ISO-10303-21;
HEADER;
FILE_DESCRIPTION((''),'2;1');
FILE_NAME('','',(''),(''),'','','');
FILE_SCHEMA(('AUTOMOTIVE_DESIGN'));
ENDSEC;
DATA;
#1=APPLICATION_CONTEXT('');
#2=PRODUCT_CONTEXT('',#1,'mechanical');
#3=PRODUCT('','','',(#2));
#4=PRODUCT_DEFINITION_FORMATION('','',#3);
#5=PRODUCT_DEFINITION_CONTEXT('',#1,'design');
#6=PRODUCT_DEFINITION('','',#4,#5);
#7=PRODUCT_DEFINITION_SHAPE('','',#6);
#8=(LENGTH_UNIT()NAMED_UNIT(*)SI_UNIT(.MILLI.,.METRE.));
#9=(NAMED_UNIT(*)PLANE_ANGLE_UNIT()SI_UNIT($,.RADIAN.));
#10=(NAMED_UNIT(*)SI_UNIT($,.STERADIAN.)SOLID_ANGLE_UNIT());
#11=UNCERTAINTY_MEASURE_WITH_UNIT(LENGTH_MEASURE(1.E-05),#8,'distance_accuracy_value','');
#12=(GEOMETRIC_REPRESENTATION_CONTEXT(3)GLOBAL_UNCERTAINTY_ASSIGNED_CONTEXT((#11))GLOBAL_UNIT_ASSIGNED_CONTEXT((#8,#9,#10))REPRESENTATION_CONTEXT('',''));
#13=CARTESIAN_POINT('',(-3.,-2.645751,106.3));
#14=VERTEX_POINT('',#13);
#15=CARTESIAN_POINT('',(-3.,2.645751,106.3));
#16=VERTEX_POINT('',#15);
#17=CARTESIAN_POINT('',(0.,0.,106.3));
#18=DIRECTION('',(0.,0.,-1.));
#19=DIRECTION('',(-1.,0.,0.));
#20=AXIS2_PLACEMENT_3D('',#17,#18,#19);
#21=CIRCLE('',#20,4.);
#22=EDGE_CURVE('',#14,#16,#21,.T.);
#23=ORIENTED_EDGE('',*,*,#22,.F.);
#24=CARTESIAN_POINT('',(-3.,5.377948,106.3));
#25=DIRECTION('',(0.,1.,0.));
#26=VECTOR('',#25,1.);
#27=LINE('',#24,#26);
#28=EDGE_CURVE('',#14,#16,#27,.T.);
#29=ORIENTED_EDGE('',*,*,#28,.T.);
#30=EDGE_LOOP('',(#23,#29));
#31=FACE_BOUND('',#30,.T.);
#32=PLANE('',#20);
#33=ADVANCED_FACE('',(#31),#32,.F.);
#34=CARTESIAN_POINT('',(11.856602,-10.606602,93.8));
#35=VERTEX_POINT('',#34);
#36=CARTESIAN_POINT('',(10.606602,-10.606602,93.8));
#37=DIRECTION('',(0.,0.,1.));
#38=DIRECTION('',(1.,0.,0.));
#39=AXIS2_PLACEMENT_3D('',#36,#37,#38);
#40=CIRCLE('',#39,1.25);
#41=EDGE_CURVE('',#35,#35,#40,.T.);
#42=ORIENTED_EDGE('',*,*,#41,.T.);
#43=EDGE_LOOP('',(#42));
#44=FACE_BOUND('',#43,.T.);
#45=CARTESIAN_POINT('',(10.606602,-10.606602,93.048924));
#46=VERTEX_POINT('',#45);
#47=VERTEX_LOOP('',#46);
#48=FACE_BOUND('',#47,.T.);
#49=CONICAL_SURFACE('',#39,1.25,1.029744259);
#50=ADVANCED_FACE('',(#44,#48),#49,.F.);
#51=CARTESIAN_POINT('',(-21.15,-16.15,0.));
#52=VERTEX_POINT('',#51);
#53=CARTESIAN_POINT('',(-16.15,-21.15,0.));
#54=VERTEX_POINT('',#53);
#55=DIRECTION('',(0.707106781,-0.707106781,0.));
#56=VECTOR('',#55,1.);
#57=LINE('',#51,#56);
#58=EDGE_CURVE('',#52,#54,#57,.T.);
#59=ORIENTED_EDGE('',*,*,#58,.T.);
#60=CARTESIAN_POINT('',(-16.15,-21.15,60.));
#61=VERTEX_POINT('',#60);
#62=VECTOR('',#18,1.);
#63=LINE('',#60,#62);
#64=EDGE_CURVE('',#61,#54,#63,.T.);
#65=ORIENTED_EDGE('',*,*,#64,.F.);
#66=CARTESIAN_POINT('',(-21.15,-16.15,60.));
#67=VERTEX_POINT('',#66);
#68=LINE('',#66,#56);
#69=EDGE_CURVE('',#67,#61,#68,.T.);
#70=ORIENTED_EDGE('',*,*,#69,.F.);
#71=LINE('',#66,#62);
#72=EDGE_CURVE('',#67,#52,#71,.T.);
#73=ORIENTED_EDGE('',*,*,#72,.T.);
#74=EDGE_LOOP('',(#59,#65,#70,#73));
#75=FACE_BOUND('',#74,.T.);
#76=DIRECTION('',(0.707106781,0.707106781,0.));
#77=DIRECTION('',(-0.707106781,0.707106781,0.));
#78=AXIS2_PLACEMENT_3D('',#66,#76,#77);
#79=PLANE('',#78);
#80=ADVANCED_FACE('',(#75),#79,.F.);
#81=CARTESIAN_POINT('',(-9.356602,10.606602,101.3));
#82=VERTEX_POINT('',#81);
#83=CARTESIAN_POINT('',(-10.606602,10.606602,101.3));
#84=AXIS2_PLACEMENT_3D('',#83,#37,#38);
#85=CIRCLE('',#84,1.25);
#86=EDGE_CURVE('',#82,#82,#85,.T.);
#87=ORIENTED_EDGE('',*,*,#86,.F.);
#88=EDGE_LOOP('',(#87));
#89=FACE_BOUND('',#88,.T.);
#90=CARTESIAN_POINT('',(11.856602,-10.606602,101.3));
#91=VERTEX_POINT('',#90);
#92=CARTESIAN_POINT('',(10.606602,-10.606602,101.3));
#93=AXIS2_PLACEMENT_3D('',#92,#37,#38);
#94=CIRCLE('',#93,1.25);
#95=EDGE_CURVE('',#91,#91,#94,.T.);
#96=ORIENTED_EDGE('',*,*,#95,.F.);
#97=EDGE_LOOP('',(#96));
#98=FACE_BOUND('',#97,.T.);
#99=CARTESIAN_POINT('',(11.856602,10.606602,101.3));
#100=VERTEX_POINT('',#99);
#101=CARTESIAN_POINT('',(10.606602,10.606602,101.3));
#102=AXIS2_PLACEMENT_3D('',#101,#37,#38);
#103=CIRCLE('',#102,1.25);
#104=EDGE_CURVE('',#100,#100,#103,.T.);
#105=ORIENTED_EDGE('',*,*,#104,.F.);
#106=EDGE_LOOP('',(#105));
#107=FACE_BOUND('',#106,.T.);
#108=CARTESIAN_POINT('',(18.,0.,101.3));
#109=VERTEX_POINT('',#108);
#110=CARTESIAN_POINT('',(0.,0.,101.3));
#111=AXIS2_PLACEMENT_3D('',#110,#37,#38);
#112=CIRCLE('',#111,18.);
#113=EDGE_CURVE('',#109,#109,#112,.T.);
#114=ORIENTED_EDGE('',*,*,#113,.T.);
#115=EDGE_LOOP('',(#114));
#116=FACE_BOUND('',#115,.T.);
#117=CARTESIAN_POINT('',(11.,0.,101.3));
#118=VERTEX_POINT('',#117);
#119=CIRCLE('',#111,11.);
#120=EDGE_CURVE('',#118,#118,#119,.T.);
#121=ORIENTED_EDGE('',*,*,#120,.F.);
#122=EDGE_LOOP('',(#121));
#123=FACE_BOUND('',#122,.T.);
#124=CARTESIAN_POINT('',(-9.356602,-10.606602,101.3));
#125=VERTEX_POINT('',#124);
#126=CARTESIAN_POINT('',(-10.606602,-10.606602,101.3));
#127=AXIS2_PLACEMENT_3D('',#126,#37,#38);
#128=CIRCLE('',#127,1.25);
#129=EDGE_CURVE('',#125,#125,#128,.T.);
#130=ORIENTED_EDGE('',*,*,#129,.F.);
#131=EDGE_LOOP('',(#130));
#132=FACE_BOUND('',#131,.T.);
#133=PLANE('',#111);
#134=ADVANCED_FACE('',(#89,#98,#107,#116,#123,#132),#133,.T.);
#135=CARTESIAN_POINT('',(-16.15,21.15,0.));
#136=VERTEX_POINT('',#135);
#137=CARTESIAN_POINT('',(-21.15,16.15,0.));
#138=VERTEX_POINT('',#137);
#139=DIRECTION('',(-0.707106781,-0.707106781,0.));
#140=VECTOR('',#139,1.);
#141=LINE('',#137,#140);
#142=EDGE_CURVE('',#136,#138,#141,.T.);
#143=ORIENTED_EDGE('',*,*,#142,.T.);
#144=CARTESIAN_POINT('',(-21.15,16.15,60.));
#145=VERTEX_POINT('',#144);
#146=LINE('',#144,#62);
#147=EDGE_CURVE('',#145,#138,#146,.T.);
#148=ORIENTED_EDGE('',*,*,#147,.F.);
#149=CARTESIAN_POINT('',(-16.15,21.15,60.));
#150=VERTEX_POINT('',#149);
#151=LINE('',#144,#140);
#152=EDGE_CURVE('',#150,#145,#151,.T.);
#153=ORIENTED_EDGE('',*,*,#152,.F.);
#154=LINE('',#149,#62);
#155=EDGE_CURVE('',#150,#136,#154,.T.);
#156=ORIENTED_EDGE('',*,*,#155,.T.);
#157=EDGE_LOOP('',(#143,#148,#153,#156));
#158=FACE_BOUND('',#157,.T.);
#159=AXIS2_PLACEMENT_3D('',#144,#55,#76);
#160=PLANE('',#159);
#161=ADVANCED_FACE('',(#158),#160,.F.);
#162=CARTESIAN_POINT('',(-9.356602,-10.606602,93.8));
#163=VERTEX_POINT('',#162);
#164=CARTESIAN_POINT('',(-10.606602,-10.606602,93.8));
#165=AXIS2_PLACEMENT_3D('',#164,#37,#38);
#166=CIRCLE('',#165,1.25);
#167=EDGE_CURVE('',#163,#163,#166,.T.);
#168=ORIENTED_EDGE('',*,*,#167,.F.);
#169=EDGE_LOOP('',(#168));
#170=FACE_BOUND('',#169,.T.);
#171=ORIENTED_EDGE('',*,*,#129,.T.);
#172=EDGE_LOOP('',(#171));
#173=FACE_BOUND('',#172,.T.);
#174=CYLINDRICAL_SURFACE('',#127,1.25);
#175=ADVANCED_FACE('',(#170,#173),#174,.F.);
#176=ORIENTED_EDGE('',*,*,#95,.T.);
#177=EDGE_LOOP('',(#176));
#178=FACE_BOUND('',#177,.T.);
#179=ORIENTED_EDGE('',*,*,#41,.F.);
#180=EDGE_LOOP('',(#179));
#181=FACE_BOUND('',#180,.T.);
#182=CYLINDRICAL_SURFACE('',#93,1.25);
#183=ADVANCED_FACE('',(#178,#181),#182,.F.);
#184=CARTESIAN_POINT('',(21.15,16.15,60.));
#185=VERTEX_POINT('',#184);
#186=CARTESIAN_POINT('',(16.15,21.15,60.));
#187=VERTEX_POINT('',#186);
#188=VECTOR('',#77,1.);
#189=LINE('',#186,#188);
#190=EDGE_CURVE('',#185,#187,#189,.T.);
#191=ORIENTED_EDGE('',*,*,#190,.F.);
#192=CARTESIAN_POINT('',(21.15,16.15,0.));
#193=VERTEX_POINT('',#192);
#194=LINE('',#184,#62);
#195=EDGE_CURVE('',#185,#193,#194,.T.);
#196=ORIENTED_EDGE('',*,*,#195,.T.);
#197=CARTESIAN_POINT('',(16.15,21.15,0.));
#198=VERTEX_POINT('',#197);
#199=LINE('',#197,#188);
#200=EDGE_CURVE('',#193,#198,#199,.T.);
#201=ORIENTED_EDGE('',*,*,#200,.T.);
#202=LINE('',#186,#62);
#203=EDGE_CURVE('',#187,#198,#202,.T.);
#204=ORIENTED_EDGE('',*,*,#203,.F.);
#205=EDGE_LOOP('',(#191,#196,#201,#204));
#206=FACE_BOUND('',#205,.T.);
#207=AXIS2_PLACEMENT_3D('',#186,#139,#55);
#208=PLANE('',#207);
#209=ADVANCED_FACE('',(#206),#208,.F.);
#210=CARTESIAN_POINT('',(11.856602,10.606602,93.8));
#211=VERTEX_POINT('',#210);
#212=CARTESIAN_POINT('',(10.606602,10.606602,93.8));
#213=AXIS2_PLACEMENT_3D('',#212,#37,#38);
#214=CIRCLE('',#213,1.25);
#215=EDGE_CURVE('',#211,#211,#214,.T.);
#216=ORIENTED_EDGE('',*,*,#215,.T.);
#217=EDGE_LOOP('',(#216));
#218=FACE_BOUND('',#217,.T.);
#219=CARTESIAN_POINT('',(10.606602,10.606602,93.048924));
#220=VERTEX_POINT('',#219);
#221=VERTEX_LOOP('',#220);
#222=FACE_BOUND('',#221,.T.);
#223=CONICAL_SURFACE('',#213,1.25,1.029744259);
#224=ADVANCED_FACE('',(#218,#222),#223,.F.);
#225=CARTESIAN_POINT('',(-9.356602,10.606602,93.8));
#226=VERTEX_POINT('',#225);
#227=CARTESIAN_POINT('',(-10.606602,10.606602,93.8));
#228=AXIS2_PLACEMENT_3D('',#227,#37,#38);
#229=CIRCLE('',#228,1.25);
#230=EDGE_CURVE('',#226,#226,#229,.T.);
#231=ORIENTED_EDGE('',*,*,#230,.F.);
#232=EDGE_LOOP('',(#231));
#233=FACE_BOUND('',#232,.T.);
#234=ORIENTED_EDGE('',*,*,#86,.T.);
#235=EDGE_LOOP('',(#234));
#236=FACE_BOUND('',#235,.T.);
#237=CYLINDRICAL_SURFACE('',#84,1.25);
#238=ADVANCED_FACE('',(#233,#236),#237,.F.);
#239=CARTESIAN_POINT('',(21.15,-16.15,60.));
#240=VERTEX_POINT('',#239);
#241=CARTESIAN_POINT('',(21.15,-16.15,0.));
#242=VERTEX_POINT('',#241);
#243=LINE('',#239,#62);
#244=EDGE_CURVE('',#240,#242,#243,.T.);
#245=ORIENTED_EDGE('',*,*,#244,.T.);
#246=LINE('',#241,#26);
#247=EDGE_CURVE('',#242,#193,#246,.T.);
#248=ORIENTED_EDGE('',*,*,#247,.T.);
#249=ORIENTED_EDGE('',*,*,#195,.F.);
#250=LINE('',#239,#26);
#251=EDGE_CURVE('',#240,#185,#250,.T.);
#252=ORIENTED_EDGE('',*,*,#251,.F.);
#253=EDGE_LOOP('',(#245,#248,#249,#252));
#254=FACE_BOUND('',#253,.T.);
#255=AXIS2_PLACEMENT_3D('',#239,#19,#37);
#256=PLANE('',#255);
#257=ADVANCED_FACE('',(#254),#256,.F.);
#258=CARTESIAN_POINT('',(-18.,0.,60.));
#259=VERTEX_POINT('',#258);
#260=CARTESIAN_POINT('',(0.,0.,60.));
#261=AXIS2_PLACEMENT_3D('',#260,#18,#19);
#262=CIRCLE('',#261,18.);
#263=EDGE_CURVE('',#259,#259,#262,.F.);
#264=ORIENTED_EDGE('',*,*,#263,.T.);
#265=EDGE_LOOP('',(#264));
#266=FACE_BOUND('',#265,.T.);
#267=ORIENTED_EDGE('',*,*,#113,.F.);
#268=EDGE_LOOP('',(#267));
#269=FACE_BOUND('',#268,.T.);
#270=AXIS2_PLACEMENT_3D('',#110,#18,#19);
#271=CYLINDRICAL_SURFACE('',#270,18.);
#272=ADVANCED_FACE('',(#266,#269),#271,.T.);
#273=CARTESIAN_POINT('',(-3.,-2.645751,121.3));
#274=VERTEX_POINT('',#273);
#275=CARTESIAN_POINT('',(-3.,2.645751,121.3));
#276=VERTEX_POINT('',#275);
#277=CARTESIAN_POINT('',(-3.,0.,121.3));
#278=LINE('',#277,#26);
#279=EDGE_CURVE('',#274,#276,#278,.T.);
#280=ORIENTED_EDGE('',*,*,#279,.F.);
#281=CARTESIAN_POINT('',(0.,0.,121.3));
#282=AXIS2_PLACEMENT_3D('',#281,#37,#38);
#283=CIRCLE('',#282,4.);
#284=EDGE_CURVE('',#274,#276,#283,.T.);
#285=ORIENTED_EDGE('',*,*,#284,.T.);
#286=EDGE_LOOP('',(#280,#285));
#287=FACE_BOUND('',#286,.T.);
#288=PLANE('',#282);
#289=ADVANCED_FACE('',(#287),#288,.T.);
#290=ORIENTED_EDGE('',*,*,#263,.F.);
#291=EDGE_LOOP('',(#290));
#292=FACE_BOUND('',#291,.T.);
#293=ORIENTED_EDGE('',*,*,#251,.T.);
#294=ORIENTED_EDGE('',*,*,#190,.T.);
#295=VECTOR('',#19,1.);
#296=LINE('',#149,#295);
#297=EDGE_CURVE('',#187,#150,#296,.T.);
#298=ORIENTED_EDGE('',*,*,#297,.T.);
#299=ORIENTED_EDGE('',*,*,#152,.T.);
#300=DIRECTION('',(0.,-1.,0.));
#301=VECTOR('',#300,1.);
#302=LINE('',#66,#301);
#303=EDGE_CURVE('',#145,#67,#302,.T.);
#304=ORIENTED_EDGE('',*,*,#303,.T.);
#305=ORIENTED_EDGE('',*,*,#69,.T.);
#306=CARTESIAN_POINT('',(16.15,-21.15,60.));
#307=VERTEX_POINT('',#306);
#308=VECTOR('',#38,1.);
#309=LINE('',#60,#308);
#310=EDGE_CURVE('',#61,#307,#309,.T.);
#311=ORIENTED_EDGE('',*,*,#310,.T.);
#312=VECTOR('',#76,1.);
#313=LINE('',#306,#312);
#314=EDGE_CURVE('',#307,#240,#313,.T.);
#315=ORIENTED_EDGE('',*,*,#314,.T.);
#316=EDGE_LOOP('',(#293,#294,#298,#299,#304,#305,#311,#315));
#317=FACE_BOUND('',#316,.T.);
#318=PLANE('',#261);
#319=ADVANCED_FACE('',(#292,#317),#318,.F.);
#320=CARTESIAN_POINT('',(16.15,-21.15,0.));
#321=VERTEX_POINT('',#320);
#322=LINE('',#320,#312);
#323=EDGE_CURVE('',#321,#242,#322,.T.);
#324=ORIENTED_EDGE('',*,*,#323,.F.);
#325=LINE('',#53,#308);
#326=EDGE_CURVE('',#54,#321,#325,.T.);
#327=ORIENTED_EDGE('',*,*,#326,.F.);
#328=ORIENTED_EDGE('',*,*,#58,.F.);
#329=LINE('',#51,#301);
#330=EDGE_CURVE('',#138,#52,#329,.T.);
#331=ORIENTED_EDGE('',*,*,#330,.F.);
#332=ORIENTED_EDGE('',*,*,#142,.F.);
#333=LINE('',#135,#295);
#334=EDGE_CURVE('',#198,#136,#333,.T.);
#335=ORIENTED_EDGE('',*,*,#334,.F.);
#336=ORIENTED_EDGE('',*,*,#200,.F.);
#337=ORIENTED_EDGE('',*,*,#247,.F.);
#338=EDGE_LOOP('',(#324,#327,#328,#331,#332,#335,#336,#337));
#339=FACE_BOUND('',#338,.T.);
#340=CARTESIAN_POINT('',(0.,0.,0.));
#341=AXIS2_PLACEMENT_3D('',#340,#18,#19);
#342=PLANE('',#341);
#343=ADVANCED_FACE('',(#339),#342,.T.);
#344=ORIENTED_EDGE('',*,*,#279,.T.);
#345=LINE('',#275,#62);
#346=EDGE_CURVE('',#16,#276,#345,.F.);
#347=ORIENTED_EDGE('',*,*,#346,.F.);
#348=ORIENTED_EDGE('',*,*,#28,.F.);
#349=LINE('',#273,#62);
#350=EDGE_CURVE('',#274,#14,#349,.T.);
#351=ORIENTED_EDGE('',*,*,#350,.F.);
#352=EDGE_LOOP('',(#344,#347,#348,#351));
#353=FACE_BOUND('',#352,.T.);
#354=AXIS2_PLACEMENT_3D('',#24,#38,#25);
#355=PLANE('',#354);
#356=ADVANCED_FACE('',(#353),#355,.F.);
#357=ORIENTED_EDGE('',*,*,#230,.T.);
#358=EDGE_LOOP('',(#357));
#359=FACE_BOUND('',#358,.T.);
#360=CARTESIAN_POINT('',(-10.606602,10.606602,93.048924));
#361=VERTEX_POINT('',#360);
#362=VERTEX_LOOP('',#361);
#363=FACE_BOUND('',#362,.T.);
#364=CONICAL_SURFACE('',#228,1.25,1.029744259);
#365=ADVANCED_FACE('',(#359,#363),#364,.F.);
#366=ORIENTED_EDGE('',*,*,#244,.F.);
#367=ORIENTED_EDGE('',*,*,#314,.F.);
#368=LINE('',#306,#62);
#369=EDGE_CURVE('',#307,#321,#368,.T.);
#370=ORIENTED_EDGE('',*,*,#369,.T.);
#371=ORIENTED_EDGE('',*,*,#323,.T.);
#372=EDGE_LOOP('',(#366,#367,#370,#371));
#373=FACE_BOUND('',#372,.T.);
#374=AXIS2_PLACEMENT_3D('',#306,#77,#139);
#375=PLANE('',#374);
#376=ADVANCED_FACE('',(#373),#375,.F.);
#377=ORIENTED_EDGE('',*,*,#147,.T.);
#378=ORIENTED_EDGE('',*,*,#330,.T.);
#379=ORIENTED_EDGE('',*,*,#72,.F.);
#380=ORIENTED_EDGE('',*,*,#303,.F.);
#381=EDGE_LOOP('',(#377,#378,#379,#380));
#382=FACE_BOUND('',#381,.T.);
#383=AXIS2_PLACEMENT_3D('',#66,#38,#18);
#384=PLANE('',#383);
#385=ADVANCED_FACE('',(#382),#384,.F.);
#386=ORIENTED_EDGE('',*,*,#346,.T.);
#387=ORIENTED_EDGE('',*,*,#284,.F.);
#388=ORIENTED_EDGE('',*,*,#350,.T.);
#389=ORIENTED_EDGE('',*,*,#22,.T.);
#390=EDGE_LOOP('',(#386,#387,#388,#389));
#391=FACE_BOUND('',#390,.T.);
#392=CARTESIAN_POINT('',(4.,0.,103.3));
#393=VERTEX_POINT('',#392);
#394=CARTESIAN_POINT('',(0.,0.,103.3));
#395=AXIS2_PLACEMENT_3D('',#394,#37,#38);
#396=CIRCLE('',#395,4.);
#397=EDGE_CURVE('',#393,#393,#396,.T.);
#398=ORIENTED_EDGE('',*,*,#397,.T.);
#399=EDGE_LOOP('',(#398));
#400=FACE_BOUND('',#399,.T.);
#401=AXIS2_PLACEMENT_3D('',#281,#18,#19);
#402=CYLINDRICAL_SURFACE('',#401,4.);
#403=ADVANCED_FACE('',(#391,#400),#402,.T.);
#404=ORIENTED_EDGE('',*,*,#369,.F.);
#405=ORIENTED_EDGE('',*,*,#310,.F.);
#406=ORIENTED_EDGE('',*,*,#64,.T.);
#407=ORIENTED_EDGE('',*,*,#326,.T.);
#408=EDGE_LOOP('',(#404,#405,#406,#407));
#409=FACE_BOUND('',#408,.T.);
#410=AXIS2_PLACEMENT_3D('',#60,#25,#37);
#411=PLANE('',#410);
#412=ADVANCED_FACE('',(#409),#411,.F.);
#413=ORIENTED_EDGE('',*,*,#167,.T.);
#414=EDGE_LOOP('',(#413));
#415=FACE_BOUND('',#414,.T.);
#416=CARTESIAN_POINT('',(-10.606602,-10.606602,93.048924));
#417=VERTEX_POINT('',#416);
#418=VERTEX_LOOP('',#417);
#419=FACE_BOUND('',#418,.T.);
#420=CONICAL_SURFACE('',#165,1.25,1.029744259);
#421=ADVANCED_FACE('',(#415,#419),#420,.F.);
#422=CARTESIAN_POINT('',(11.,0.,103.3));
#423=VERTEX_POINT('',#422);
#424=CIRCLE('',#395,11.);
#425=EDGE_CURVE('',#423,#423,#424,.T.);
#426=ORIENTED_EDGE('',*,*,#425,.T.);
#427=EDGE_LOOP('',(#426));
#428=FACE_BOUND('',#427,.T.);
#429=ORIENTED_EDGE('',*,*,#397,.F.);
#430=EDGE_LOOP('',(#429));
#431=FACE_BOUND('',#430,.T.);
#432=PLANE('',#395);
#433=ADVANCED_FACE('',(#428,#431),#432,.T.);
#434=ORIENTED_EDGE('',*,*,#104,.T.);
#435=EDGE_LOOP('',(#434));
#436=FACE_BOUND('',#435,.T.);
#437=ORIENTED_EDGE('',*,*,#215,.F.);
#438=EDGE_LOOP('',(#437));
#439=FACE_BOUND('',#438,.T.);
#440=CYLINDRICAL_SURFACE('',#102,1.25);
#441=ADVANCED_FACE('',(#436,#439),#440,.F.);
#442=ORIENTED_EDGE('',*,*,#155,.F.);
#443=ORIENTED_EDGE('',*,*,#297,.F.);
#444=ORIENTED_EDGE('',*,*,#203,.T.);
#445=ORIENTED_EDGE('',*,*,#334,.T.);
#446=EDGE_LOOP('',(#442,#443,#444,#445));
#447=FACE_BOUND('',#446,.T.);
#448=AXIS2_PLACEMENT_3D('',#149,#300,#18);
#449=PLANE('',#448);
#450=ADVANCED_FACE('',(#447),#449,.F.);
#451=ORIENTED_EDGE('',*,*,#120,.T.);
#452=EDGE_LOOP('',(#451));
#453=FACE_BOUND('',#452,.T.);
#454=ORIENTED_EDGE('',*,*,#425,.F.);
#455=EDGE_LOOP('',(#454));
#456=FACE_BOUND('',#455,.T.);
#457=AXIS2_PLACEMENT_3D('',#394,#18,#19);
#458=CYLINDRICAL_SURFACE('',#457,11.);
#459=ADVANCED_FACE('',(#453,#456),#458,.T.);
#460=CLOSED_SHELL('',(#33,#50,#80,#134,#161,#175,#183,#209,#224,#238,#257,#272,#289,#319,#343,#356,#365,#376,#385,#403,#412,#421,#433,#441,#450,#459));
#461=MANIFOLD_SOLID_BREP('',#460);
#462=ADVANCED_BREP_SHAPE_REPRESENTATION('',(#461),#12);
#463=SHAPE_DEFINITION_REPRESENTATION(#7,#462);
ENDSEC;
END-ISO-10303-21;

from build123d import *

# Parameters (mm, degrees)
EXTRUDE_1_DEPTH        = 60
SKETCH_2_R             = 18
EXTRUDE_2_DEPTH        = 41.3
SKETCH_3_R             = 11
EXTRUDE_3_DEPTH        = 2
SKETCH_4_R             = 4
EXTRUDE_4_DEPTH        = 18
SKETCH_5_W             = 8.09428643
SKETCH_5_H             = 13.450799509
CUT_EXTRUDE_1_DEPTH    = 15
SKETCH_6_R             = 1
CUT_EXTRUDE_2_DEPTH    = 5
HOLE_WIZARD_M3_1_D     = 2.5
HOLE_WIZARD_M3_1_DEPTH = 7.5
HOLE_WIZARD_M3_1_TIP   = 0.751075774


with BuildPart() as part:
    # 草图1 → 凸台-拉伸1 (new body)
    with BuildSketch(Plane.XY):
        Polygon((-21.15, 16.15), (-16.15, 21.15), (16.15, 21.15), (21.15, 16.15), (21.15, -16.15), (16.15, -21.15), (-16.15, -21.15), (-21.15, -16.15), align=None)
    extrude(amount=EXTRUDE_1_DEPTH)

    # 草图2 → 凸台-拉伸2 (add)
    with BuildSketch(Plane.XY.offset(60)):
        Circle(SKETCH_2_R)
    extrude(amount=EXTRUDE_2_DEPTH)

    # 草图3 → 凸台-拉伸3 (add)
    with BuildSketch(Plane.XY.offset(101.3)):
        Circle(SKETCH_3_R)
    extrude(amount=EXTRUDE_3_DEPTH)

    # 草图4 → 凸台-拉伸4 (add)
    with BuildSketch(Plane.XY.offset(103.3)):
        Circle(SKETCH_4_R)
    extrude(amount=EXTRUDE_4_DEPTH)

    # 草图5 → 切除-拉伸1 (cut)
    with BuildSketch(Plane.XY.offset(121.3)):
        with Locations((-7.047143215, -1.347451383)):
            Rectangle(SKETCH_5_W, SKETCH_5_H)
    extrude(amount=-CUT_EXTRUDE_1_DEPTH, mode=Mode.SUBTRACT)

    # 草图6 → 切除-拉伸2 (cut)
    with BuildSketch(Plane.XY.offset(101.3)):
        with Locations((-10.606601718, 10.606601718)):
            Circle(SKETCH_6_R)
        with Locations((10.606601718, 10.606601718)):
            Circle(SKETCH_6_R)
        with Locations((-10.606601718, -10.606601718)):
            Circle(SKETCH_6_R)
        with Locations((10.606601718, -10.606601718)):
            Circle(SKETCH_6_R)
    extrude(amount=-CUT_EXTRUDE_2_DEPTH, mode=Mode.SUBTRACT)

    # M3 螺纹孔1
    with Locations(Plane.XY.offset(101.3)):
        with Locations((-10.606601718, 10.606601718), (10.606601718, 10.606601718), (-10.606601718, -10.606601718), (10.606601718, -10.606601718)):
            Hole(HOLE_WIZARD_M3_1_D / 2, depth=HOLE_WIZARD_M3_1_DEPTH)
            with Locations((0, 0, -(HOLE_WIZARD_M3_1_DEPTH + HOLE_WIZARD_M3_1_TIP / 2))):  # 118° drill point
                Cone(0, HOLE_WIZARD_M3_1_D / 2, HOLE_WIZARD_M3_1_TIP, mode=Mode.SUBTRACT)


solid = part.part
